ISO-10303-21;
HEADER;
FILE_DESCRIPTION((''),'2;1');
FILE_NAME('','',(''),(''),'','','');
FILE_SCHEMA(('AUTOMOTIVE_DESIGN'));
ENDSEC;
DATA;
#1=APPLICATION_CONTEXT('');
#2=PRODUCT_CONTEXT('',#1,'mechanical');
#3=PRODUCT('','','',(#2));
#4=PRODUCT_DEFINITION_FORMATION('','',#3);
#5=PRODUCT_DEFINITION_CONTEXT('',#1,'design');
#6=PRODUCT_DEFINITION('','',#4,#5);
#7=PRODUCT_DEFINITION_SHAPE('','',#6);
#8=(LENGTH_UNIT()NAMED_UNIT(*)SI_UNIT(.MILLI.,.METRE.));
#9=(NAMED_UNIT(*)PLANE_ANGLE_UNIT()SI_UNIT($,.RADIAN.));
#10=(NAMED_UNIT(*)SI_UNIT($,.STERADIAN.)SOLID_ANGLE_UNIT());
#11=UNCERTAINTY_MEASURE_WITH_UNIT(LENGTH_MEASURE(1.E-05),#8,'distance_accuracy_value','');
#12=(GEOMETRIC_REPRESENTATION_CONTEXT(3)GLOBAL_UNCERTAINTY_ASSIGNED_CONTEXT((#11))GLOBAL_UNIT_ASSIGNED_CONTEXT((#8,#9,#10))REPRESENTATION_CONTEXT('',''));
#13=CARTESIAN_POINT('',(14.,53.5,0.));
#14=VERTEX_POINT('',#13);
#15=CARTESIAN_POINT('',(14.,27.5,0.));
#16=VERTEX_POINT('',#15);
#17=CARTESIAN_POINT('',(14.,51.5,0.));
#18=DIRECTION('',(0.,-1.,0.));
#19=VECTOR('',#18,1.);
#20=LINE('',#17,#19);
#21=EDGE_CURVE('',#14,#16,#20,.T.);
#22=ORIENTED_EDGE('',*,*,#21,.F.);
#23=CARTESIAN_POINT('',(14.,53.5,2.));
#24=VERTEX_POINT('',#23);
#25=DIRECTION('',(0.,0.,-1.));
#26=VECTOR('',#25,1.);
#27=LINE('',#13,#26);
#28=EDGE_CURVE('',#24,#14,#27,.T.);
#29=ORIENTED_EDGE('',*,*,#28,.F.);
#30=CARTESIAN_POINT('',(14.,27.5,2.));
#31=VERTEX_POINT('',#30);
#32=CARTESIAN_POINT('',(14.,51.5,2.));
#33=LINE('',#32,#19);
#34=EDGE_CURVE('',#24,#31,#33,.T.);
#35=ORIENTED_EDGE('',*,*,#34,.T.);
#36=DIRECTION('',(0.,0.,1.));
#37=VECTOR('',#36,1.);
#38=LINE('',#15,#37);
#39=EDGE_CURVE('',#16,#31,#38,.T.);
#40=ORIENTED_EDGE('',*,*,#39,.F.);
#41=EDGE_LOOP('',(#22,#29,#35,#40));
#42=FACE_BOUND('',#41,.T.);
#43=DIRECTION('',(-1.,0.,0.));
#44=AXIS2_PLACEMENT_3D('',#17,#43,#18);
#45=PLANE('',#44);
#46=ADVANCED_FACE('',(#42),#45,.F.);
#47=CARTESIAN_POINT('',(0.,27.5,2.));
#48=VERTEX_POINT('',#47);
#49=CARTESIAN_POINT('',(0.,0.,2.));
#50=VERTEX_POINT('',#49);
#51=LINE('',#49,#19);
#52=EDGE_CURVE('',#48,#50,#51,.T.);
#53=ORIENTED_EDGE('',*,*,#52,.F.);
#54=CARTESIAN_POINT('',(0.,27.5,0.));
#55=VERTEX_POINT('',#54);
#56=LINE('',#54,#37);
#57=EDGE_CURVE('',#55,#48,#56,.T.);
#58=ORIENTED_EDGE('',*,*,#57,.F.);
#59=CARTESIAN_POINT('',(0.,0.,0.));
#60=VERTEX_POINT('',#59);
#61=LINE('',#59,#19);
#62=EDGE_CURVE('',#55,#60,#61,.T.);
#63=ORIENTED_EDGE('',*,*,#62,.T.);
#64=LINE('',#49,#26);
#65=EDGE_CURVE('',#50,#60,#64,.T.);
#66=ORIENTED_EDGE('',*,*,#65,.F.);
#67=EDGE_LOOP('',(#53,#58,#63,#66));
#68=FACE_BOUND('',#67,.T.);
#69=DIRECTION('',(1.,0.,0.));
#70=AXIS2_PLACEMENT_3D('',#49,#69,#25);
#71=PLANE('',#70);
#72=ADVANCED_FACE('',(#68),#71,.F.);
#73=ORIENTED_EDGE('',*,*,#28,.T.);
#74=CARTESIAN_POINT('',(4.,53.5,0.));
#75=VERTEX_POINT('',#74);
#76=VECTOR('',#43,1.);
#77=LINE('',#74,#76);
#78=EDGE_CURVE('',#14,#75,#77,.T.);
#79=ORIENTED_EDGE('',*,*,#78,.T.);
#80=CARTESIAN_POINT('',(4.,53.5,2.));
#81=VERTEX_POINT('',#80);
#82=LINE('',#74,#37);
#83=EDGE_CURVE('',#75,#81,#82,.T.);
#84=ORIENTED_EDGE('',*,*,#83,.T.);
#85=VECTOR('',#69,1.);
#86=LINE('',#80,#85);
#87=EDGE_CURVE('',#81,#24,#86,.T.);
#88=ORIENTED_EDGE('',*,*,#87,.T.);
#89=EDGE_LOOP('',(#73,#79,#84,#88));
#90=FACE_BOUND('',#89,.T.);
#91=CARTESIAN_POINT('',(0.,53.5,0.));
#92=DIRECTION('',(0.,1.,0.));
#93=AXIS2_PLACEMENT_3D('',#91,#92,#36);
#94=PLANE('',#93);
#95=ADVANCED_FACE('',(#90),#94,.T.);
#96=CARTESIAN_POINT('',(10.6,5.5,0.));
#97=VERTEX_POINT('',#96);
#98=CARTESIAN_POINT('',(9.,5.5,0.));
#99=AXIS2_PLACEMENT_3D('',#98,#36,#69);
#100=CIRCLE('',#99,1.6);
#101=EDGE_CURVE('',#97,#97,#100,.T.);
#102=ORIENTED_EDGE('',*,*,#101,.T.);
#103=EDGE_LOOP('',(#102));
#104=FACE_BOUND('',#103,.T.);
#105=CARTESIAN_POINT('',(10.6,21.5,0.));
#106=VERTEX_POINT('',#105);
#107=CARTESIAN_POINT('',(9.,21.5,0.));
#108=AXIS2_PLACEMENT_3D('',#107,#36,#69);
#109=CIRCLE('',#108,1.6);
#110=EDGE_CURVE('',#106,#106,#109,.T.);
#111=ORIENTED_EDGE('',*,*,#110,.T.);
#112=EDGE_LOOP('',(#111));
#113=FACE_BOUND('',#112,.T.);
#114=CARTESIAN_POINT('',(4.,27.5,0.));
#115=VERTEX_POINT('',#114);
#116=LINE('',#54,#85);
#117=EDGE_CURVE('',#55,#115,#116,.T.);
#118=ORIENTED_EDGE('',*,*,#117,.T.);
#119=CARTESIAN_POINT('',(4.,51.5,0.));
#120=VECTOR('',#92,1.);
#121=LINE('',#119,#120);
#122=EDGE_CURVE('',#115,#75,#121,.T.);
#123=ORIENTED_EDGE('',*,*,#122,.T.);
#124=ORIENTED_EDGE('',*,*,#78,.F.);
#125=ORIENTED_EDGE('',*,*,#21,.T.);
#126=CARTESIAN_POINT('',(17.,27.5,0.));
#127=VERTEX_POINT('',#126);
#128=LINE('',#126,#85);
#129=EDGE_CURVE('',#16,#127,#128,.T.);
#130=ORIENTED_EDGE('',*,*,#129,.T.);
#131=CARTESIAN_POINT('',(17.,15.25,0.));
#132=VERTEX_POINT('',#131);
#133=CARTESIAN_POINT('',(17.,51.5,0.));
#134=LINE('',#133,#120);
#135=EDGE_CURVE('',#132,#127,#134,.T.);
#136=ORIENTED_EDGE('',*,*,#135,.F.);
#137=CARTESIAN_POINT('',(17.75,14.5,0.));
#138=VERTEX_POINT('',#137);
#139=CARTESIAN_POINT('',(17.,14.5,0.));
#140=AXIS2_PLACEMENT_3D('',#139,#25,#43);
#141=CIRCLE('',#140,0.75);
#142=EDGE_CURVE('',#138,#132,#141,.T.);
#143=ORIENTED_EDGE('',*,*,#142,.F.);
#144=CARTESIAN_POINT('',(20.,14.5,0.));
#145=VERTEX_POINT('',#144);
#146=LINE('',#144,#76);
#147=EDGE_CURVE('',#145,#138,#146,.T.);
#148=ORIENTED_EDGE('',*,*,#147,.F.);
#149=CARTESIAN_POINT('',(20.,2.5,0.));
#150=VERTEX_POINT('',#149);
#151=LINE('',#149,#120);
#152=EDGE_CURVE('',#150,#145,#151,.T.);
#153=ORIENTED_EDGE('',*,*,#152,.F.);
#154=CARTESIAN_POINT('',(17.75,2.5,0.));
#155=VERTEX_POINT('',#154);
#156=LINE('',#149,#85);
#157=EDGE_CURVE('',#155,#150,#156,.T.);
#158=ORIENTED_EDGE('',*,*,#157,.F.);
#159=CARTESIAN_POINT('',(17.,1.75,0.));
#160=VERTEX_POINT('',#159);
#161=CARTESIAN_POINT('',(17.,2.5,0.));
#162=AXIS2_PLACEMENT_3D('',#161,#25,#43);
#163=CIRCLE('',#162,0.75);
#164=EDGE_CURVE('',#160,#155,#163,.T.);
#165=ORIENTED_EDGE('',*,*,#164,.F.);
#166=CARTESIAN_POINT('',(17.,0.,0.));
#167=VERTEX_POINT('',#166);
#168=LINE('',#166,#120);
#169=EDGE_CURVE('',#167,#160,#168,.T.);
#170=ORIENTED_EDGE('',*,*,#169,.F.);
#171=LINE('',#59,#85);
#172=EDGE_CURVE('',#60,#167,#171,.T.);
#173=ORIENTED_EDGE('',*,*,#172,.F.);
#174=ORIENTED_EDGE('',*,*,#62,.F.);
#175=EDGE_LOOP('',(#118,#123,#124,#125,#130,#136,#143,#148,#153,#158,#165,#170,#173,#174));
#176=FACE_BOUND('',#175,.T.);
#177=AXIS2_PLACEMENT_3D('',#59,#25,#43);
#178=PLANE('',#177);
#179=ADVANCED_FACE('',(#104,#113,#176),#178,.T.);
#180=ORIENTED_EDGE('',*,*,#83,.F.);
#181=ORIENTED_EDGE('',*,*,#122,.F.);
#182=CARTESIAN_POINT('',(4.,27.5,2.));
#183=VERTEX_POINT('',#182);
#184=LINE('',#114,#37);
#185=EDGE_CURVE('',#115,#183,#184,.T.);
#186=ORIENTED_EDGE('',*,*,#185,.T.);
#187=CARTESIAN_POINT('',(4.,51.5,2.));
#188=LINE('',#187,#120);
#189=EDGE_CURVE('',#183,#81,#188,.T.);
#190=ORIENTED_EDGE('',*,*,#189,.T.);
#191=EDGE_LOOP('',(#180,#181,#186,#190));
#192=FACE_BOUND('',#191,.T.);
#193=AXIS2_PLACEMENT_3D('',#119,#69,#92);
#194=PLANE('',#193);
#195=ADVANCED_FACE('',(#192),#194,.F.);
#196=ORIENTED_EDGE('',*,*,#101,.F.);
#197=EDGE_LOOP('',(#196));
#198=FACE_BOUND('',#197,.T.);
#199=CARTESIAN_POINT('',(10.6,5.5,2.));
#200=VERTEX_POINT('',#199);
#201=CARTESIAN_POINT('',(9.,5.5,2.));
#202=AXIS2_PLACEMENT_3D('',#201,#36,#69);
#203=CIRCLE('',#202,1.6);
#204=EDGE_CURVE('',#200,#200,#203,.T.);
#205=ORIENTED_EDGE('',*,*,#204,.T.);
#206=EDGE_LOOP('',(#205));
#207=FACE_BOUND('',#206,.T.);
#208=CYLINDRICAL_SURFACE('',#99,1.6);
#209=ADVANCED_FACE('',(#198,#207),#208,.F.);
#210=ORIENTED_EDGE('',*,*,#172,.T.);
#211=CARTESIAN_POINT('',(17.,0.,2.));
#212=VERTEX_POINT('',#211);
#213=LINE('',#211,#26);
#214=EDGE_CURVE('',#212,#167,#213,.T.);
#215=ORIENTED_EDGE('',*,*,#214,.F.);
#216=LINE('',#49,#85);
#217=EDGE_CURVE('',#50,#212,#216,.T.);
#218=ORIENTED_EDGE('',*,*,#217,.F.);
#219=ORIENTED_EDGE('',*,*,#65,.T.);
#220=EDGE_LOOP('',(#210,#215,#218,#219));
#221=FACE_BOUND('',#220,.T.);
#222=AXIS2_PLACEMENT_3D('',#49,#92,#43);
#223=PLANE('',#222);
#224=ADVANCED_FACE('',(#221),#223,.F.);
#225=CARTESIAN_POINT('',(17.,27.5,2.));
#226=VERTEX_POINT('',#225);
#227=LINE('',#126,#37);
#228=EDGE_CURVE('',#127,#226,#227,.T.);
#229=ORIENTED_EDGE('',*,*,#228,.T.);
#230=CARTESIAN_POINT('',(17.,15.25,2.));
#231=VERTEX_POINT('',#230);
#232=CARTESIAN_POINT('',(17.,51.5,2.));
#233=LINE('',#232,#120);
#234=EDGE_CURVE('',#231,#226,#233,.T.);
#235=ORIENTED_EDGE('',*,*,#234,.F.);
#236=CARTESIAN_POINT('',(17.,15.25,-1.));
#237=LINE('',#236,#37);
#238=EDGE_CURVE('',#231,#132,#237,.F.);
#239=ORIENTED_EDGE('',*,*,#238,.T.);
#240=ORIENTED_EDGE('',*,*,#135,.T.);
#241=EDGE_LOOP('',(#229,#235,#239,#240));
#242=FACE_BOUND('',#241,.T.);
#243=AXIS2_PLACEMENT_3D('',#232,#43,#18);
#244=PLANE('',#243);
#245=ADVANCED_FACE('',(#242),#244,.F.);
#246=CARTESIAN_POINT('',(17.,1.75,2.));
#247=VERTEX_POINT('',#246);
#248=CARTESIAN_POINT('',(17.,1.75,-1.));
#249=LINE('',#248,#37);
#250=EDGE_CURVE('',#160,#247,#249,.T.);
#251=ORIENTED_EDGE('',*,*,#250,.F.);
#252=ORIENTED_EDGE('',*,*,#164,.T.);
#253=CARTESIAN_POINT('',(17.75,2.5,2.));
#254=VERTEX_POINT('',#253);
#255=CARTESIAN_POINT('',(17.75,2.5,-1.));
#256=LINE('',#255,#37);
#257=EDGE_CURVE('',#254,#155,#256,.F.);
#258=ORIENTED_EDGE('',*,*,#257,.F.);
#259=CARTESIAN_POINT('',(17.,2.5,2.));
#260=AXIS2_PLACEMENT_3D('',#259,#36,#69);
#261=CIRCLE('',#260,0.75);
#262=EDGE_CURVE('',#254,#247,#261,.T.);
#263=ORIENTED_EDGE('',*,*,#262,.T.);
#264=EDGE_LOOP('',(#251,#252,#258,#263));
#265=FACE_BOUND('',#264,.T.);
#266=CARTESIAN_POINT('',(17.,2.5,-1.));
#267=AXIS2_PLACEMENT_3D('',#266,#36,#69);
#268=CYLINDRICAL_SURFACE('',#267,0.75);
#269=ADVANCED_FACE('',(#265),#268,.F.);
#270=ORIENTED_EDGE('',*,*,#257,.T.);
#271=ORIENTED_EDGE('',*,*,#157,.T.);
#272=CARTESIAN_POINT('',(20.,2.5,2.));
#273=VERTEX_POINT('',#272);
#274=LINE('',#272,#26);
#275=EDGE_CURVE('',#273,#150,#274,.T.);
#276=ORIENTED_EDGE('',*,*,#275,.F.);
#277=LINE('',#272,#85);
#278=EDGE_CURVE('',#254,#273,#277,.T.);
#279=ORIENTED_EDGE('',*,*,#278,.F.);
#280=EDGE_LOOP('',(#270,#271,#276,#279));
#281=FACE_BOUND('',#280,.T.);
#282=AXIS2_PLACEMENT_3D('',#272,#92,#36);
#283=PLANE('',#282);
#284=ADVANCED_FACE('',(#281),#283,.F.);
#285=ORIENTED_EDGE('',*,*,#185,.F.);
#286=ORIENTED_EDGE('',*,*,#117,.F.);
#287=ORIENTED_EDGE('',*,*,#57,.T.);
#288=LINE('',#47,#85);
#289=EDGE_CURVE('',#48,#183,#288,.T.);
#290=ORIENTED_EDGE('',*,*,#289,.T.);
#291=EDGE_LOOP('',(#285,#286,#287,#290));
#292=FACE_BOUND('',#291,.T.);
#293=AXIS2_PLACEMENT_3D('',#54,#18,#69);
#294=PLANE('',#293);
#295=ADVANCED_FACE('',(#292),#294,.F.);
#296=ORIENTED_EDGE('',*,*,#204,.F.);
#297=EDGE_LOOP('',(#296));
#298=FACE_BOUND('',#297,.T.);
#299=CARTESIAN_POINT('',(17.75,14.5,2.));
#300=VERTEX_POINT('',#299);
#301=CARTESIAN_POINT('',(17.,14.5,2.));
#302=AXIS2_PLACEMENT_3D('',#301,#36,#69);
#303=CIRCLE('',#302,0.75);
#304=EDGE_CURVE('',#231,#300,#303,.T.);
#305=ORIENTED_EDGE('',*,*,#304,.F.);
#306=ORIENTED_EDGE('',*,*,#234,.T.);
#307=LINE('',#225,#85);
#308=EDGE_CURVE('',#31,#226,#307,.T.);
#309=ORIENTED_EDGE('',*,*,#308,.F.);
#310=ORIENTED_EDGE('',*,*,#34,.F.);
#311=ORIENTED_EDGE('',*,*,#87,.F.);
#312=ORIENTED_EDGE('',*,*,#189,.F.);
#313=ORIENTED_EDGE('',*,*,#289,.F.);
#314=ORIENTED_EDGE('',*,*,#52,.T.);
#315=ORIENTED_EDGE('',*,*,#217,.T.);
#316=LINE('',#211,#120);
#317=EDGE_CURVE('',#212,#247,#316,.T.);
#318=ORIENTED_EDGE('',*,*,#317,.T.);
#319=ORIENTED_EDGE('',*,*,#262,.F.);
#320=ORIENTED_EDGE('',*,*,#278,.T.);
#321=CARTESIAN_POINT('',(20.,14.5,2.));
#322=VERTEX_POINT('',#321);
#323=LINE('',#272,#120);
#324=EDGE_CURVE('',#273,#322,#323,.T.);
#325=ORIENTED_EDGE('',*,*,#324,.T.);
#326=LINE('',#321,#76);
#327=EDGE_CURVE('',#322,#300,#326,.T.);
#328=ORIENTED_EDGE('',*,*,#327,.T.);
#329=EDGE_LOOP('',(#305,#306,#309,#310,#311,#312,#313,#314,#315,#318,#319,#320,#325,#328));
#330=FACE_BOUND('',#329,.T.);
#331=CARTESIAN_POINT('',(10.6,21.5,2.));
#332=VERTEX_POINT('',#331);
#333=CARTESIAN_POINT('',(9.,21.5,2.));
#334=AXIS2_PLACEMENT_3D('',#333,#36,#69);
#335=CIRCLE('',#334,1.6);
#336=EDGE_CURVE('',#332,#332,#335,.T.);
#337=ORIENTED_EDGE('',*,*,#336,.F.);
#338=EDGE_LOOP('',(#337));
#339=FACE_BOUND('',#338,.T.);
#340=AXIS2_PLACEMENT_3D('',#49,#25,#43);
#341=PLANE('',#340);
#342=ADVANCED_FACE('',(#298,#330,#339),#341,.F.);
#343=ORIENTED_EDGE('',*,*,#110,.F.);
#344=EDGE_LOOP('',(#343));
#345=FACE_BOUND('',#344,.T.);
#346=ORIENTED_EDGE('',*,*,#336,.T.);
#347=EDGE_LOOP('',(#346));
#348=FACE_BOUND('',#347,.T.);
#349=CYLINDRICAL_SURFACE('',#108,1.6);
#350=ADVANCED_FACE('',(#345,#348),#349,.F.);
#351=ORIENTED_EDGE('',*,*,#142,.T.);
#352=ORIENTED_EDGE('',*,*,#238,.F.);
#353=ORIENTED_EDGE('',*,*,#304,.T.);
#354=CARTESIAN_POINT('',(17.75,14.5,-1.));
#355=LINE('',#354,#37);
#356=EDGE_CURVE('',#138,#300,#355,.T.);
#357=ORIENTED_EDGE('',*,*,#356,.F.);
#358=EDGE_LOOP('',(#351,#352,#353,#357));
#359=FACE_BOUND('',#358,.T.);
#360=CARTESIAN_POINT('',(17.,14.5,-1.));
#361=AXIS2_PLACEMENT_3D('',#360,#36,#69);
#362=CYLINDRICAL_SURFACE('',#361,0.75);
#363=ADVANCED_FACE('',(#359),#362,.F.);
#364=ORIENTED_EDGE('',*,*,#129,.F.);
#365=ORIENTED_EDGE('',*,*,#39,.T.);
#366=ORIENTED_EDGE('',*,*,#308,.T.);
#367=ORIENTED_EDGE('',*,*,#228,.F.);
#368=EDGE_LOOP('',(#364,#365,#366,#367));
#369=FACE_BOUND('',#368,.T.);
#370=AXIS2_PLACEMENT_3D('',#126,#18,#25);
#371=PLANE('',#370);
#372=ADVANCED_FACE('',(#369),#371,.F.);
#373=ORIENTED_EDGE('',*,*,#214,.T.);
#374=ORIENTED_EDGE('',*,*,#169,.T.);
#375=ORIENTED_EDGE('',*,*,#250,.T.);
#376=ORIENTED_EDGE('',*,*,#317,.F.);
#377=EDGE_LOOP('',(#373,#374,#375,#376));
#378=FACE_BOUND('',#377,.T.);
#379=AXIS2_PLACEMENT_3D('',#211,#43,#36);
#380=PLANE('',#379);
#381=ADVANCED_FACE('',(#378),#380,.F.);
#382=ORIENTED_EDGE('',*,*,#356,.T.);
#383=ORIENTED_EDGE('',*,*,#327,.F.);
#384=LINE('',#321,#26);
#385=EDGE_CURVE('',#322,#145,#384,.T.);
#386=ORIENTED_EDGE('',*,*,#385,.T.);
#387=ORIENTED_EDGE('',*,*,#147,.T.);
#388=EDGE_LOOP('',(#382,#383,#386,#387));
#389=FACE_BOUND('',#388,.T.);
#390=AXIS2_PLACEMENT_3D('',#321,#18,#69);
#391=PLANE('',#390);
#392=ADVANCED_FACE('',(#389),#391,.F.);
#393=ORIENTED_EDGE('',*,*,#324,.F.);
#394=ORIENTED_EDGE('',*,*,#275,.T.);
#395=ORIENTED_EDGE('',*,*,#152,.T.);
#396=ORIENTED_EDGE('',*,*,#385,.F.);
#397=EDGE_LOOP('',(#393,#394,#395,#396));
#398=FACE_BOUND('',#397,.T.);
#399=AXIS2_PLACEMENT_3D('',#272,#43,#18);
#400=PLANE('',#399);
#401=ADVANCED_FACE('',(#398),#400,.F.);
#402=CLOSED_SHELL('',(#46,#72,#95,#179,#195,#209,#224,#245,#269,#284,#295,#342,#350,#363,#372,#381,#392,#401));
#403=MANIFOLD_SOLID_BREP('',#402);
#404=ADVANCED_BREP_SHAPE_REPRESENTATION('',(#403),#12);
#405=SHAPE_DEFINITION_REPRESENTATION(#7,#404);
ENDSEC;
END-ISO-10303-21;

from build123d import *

# Parameters (mm, degrees)
EXTRUDE_1_DEPTH     = 2
SKETCH_2_R          = 1.6
CUT_EXTRUDE_1_DEPTH = 3
SKETCH_3_W          = 3
SKETCH_3_H          = 24
SKETCH_3_W_2        = 4
CUT_EXTRUDE_2_DEPTH = 3
SKETCH_4_W          = 10
SKETCH_4_H          = 2
EXTRUDE_2_DEPTH     = 2
SKETCH_5_R          = 0.75
CUT_EXTRUDE_3_DEPTH = 3


with BuildPart() as part:
    # 草图1 → 凸台-拉伸1 (new body)
    with BuildSketch(Plane.XY):
        Polygon((0, 0), (17, 0), (17, 2.5), (20, 2.5), (20, 14.5), (17, 14.5), (17, 51.5), (0, 51.5), align=None)
    extrude(amount=EXTRUDE_1_DEPTH)

    # 草图2 → 切除-拉伸1 (cut, through all)
    with BuildSketch(Plane.XY.offset(2)):
        with Locations((9, 5.5)):
            Circle(SKETCH_2_R)
        with Locations((9, 21.5)):
            Circle(SKETCH_2_R)
    extrude(amount=-CUT_EXTRUDE_1_DEPTH, mode=Mode.SUBTRACT)

    # 草图3 → 切除-拉伸2 (cut, through all)
    with BuildSketch(Plane.XY.offset(2)):
        with Locations((15.5, 39.5)):
            Rectangle(SKETCH_3_W, SKETCH_3_H)
        with Locations((2, 39.5)):
            Rectangle(SKETCH_3_W_2, SKETCH_3_H)
    extrude(amount=-CUT_EXTRUDE_2_DEPTH, mode=Mode.SUBTRACT)

    # 草图4 → 凸台-拉伸2 (add)
    with BuildSketch(Plane(origin=(0, 51.5, 0), x_dir=(1, 0, 0), z_dir=(0, 1, 0))):
        with Locations((9, -1)):
            Rectangle(SKETCH_4_W, SKETCH_4_H)
    extrude(amount=EXTRUDE_2_DEPTH)

    # 草图5 → 切除-拉伸3 (cut)
    with BuildSketch(Plane.XY.offset(2)):
        with Locations((17, 14.5)):
            Circle(SKETCH_5_R)
        with Locations((17, 2.5)):
            Circle(SKETCH_5_R)
    extrude(amount=-CUT_EXTRUDE_3_DEPTH, mode=Mode.SUBTRACT)


solid = part.part
